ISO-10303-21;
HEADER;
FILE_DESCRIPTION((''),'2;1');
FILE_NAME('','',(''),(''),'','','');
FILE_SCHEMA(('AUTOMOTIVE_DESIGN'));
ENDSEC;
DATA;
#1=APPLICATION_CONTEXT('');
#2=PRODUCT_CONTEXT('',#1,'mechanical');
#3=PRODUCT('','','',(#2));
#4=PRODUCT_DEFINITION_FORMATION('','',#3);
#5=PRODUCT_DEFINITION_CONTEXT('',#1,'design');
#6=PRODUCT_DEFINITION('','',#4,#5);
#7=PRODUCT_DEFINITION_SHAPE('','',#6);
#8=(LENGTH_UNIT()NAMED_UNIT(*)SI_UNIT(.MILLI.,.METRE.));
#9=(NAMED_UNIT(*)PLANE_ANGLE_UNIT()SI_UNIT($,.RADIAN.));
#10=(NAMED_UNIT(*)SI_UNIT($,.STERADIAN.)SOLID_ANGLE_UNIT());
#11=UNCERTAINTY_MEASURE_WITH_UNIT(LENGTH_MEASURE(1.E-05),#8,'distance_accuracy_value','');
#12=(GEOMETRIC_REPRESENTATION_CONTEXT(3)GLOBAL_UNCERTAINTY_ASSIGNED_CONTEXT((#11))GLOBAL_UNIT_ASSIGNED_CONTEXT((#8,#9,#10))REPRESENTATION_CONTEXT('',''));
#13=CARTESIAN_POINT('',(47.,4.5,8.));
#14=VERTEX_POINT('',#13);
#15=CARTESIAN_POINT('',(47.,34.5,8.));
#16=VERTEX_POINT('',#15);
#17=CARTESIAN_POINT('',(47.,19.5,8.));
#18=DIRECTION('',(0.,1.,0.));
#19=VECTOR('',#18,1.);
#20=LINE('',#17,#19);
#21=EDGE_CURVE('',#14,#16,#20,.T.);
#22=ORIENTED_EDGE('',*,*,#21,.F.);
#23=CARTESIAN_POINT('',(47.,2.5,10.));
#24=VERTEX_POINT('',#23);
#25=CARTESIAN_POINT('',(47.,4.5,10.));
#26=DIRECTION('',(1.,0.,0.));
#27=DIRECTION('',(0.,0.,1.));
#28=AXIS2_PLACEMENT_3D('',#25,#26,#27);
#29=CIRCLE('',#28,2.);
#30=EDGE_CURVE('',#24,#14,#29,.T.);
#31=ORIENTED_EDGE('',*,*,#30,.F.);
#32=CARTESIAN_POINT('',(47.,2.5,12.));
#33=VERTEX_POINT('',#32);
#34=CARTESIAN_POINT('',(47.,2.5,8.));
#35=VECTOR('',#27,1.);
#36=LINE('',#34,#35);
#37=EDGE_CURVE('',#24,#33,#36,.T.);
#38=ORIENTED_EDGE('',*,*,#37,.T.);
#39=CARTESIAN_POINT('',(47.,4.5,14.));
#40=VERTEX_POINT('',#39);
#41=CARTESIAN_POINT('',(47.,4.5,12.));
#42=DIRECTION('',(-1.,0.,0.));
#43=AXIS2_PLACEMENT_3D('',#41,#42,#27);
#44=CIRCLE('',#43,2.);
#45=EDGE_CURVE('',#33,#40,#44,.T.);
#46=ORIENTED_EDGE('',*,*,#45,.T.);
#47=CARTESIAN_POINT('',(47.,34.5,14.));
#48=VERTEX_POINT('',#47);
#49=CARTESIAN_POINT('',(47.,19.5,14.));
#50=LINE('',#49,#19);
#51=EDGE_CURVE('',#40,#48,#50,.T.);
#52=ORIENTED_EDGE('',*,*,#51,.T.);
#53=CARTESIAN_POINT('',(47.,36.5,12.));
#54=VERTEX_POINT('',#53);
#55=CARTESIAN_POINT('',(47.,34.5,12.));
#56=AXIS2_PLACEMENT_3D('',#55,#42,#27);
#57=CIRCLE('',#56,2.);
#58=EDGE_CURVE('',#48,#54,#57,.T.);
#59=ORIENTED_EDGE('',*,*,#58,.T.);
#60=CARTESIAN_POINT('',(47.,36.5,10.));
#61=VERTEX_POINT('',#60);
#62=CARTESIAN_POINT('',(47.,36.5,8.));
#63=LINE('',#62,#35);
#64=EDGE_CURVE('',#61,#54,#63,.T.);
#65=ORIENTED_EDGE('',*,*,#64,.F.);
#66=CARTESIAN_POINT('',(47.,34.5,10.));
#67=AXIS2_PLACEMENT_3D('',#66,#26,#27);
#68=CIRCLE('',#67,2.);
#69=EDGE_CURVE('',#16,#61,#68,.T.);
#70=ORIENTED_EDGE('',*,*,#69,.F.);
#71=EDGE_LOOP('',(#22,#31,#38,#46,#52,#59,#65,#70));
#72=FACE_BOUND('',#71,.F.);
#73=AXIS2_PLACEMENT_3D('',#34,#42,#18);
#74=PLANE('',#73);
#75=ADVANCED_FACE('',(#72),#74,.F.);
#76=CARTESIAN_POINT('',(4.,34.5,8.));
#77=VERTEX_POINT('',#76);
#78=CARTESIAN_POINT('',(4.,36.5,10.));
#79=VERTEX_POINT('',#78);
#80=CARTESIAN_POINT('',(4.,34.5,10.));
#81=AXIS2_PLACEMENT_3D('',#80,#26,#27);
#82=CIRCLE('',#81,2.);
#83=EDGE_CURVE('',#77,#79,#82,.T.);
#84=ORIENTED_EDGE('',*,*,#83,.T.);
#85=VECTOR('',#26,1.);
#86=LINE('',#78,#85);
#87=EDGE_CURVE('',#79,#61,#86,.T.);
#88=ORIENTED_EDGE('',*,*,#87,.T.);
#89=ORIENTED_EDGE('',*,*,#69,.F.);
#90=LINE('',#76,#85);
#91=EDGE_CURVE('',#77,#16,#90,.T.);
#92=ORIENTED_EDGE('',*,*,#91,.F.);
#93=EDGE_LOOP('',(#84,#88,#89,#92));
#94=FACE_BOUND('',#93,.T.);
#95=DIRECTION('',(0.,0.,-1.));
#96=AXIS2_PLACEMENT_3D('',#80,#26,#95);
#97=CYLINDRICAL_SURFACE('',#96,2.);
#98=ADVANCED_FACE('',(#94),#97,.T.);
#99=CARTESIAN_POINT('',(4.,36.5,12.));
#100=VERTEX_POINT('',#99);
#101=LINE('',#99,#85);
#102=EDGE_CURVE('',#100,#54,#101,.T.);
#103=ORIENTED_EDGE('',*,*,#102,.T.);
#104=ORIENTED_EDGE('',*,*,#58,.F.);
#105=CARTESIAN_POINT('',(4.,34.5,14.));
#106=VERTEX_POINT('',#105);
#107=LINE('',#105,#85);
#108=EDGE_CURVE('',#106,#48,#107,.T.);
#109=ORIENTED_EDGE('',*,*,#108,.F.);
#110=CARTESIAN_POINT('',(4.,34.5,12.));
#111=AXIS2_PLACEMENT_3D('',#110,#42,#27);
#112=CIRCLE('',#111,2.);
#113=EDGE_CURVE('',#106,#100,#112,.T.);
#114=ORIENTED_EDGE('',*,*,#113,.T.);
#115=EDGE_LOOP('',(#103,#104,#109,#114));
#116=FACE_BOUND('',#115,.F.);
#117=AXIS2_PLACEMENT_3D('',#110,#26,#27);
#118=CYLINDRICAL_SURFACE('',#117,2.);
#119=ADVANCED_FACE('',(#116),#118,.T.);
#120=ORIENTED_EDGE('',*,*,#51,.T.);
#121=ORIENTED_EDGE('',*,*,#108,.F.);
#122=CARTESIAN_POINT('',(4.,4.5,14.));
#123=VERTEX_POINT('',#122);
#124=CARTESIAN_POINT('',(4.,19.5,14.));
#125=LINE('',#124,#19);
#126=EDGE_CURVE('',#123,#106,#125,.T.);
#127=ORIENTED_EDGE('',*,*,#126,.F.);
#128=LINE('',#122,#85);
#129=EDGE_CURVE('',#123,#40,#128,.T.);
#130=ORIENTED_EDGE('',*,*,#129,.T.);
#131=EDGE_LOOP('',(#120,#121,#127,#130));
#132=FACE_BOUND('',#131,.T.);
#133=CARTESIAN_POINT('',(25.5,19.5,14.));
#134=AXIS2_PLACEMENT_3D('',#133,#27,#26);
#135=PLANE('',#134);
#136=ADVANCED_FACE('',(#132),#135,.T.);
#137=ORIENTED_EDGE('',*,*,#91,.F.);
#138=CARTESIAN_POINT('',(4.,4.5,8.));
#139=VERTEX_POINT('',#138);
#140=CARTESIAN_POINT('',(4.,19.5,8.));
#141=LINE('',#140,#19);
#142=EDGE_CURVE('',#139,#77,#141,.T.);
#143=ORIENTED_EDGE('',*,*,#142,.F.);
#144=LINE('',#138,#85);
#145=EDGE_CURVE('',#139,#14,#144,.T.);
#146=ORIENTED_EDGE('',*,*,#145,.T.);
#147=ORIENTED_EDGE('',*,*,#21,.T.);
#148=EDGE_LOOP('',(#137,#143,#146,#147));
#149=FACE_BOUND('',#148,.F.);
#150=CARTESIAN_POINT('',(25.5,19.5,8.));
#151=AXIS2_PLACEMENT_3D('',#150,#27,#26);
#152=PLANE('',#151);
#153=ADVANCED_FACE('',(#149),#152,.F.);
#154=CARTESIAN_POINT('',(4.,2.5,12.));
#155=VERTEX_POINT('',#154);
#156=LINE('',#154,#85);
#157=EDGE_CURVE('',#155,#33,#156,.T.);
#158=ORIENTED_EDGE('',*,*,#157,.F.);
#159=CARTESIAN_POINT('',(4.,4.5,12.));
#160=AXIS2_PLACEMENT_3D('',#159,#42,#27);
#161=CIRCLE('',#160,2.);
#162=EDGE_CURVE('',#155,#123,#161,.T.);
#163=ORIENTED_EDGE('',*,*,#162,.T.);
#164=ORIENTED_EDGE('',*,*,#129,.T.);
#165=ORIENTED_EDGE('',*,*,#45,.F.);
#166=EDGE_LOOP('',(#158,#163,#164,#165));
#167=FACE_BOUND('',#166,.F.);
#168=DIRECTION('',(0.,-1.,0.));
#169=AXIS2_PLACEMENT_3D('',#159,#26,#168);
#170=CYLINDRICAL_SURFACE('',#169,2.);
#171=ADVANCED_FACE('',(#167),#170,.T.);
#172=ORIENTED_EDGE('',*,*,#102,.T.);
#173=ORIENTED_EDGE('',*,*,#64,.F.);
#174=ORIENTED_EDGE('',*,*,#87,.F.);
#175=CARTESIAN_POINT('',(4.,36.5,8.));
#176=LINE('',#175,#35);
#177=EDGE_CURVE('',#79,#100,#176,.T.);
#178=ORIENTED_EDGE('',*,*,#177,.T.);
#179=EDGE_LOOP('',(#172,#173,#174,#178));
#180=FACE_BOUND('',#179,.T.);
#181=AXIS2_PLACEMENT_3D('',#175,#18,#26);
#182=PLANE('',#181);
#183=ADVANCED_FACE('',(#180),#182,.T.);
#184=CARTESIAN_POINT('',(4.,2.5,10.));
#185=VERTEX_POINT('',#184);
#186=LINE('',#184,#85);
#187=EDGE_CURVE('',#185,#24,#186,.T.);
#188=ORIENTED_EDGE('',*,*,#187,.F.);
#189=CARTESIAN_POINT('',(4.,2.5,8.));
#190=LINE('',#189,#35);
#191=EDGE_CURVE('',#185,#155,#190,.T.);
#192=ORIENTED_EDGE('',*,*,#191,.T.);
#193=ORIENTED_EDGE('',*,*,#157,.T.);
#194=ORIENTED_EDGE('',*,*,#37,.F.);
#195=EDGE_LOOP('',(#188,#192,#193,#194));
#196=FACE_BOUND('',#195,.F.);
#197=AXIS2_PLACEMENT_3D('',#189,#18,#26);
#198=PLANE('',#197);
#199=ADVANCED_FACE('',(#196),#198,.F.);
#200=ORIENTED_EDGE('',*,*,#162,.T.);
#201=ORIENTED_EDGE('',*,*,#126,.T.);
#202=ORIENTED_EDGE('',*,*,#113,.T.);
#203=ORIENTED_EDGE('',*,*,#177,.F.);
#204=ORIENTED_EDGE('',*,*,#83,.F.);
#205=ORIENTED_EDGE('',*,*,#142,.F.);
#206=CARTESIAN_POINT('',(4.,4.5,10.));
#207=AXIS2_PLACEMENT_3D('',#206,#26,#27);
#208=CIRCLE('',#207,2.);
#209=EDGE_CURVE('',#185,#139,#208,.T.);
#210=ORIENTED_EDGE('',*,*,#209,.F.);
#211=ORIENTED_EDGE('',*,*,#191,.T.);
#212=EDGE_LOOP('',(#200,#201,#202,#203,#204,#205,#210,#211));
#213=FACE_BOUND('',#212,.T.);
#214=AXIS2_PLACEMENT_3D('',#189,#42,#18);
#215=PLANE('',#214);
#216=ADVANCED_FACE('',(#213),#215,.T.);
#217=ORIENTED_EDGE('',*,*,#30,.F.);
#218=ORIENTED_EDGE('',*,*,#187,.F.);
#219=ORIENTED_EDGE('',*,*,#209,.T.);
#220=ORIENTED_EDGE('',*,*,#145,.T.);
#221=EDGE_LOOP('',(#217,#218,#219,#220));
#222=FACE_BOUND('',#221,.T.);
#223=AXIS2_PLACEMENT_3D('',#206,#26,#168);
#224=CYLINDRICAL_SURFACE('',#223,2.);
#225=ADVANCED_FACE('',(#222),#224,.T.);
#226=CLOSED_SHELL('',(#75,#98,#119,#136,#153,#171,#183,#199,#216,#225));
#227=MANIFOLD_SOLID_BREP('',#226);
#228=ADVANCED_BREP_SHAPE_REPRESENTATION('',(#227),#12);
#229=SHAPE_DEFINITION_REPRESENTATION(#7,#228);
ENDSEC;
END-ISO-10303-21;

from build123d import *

# Parameters (mm, degrees)
BOX_W       = 43
BOX_H       = 34
BOX_DEPTH   = 6
FILLET002_R = 2
FILLET003_R = 2


with BuildPart() as part:
    # Box → Box (new body)
    with BuildSketch(Plane.XY):
        with Locations((21.5, 17)):
            Rectangle(BOX_W, BOX_H)
    extrude(amount=BOX_DEPTH)

    # Fillet002
    fillet002_edges = [part.edges().sort_by_distance(p)[0] for p in [
        (21.5, 0, 6),
        (21.5, 0, 0),
    ]]
    fillet(fillet002_edges, radius=FILLET002_R)

    # Fillet003
    fillet003_edges = [part.edges().sort_by_distance(p)[0] for p in [
        (21.5, 34, 0),
        (21.5, 34, 6),
    ]]
    fillet(fillet003_edges, radius=FILLET003_R)


with BuildPart() as part_1:
    # Body011 placement: moved
    add(part.part.moved(Location((4, 2.5, 8))))


solid = part_1.part
